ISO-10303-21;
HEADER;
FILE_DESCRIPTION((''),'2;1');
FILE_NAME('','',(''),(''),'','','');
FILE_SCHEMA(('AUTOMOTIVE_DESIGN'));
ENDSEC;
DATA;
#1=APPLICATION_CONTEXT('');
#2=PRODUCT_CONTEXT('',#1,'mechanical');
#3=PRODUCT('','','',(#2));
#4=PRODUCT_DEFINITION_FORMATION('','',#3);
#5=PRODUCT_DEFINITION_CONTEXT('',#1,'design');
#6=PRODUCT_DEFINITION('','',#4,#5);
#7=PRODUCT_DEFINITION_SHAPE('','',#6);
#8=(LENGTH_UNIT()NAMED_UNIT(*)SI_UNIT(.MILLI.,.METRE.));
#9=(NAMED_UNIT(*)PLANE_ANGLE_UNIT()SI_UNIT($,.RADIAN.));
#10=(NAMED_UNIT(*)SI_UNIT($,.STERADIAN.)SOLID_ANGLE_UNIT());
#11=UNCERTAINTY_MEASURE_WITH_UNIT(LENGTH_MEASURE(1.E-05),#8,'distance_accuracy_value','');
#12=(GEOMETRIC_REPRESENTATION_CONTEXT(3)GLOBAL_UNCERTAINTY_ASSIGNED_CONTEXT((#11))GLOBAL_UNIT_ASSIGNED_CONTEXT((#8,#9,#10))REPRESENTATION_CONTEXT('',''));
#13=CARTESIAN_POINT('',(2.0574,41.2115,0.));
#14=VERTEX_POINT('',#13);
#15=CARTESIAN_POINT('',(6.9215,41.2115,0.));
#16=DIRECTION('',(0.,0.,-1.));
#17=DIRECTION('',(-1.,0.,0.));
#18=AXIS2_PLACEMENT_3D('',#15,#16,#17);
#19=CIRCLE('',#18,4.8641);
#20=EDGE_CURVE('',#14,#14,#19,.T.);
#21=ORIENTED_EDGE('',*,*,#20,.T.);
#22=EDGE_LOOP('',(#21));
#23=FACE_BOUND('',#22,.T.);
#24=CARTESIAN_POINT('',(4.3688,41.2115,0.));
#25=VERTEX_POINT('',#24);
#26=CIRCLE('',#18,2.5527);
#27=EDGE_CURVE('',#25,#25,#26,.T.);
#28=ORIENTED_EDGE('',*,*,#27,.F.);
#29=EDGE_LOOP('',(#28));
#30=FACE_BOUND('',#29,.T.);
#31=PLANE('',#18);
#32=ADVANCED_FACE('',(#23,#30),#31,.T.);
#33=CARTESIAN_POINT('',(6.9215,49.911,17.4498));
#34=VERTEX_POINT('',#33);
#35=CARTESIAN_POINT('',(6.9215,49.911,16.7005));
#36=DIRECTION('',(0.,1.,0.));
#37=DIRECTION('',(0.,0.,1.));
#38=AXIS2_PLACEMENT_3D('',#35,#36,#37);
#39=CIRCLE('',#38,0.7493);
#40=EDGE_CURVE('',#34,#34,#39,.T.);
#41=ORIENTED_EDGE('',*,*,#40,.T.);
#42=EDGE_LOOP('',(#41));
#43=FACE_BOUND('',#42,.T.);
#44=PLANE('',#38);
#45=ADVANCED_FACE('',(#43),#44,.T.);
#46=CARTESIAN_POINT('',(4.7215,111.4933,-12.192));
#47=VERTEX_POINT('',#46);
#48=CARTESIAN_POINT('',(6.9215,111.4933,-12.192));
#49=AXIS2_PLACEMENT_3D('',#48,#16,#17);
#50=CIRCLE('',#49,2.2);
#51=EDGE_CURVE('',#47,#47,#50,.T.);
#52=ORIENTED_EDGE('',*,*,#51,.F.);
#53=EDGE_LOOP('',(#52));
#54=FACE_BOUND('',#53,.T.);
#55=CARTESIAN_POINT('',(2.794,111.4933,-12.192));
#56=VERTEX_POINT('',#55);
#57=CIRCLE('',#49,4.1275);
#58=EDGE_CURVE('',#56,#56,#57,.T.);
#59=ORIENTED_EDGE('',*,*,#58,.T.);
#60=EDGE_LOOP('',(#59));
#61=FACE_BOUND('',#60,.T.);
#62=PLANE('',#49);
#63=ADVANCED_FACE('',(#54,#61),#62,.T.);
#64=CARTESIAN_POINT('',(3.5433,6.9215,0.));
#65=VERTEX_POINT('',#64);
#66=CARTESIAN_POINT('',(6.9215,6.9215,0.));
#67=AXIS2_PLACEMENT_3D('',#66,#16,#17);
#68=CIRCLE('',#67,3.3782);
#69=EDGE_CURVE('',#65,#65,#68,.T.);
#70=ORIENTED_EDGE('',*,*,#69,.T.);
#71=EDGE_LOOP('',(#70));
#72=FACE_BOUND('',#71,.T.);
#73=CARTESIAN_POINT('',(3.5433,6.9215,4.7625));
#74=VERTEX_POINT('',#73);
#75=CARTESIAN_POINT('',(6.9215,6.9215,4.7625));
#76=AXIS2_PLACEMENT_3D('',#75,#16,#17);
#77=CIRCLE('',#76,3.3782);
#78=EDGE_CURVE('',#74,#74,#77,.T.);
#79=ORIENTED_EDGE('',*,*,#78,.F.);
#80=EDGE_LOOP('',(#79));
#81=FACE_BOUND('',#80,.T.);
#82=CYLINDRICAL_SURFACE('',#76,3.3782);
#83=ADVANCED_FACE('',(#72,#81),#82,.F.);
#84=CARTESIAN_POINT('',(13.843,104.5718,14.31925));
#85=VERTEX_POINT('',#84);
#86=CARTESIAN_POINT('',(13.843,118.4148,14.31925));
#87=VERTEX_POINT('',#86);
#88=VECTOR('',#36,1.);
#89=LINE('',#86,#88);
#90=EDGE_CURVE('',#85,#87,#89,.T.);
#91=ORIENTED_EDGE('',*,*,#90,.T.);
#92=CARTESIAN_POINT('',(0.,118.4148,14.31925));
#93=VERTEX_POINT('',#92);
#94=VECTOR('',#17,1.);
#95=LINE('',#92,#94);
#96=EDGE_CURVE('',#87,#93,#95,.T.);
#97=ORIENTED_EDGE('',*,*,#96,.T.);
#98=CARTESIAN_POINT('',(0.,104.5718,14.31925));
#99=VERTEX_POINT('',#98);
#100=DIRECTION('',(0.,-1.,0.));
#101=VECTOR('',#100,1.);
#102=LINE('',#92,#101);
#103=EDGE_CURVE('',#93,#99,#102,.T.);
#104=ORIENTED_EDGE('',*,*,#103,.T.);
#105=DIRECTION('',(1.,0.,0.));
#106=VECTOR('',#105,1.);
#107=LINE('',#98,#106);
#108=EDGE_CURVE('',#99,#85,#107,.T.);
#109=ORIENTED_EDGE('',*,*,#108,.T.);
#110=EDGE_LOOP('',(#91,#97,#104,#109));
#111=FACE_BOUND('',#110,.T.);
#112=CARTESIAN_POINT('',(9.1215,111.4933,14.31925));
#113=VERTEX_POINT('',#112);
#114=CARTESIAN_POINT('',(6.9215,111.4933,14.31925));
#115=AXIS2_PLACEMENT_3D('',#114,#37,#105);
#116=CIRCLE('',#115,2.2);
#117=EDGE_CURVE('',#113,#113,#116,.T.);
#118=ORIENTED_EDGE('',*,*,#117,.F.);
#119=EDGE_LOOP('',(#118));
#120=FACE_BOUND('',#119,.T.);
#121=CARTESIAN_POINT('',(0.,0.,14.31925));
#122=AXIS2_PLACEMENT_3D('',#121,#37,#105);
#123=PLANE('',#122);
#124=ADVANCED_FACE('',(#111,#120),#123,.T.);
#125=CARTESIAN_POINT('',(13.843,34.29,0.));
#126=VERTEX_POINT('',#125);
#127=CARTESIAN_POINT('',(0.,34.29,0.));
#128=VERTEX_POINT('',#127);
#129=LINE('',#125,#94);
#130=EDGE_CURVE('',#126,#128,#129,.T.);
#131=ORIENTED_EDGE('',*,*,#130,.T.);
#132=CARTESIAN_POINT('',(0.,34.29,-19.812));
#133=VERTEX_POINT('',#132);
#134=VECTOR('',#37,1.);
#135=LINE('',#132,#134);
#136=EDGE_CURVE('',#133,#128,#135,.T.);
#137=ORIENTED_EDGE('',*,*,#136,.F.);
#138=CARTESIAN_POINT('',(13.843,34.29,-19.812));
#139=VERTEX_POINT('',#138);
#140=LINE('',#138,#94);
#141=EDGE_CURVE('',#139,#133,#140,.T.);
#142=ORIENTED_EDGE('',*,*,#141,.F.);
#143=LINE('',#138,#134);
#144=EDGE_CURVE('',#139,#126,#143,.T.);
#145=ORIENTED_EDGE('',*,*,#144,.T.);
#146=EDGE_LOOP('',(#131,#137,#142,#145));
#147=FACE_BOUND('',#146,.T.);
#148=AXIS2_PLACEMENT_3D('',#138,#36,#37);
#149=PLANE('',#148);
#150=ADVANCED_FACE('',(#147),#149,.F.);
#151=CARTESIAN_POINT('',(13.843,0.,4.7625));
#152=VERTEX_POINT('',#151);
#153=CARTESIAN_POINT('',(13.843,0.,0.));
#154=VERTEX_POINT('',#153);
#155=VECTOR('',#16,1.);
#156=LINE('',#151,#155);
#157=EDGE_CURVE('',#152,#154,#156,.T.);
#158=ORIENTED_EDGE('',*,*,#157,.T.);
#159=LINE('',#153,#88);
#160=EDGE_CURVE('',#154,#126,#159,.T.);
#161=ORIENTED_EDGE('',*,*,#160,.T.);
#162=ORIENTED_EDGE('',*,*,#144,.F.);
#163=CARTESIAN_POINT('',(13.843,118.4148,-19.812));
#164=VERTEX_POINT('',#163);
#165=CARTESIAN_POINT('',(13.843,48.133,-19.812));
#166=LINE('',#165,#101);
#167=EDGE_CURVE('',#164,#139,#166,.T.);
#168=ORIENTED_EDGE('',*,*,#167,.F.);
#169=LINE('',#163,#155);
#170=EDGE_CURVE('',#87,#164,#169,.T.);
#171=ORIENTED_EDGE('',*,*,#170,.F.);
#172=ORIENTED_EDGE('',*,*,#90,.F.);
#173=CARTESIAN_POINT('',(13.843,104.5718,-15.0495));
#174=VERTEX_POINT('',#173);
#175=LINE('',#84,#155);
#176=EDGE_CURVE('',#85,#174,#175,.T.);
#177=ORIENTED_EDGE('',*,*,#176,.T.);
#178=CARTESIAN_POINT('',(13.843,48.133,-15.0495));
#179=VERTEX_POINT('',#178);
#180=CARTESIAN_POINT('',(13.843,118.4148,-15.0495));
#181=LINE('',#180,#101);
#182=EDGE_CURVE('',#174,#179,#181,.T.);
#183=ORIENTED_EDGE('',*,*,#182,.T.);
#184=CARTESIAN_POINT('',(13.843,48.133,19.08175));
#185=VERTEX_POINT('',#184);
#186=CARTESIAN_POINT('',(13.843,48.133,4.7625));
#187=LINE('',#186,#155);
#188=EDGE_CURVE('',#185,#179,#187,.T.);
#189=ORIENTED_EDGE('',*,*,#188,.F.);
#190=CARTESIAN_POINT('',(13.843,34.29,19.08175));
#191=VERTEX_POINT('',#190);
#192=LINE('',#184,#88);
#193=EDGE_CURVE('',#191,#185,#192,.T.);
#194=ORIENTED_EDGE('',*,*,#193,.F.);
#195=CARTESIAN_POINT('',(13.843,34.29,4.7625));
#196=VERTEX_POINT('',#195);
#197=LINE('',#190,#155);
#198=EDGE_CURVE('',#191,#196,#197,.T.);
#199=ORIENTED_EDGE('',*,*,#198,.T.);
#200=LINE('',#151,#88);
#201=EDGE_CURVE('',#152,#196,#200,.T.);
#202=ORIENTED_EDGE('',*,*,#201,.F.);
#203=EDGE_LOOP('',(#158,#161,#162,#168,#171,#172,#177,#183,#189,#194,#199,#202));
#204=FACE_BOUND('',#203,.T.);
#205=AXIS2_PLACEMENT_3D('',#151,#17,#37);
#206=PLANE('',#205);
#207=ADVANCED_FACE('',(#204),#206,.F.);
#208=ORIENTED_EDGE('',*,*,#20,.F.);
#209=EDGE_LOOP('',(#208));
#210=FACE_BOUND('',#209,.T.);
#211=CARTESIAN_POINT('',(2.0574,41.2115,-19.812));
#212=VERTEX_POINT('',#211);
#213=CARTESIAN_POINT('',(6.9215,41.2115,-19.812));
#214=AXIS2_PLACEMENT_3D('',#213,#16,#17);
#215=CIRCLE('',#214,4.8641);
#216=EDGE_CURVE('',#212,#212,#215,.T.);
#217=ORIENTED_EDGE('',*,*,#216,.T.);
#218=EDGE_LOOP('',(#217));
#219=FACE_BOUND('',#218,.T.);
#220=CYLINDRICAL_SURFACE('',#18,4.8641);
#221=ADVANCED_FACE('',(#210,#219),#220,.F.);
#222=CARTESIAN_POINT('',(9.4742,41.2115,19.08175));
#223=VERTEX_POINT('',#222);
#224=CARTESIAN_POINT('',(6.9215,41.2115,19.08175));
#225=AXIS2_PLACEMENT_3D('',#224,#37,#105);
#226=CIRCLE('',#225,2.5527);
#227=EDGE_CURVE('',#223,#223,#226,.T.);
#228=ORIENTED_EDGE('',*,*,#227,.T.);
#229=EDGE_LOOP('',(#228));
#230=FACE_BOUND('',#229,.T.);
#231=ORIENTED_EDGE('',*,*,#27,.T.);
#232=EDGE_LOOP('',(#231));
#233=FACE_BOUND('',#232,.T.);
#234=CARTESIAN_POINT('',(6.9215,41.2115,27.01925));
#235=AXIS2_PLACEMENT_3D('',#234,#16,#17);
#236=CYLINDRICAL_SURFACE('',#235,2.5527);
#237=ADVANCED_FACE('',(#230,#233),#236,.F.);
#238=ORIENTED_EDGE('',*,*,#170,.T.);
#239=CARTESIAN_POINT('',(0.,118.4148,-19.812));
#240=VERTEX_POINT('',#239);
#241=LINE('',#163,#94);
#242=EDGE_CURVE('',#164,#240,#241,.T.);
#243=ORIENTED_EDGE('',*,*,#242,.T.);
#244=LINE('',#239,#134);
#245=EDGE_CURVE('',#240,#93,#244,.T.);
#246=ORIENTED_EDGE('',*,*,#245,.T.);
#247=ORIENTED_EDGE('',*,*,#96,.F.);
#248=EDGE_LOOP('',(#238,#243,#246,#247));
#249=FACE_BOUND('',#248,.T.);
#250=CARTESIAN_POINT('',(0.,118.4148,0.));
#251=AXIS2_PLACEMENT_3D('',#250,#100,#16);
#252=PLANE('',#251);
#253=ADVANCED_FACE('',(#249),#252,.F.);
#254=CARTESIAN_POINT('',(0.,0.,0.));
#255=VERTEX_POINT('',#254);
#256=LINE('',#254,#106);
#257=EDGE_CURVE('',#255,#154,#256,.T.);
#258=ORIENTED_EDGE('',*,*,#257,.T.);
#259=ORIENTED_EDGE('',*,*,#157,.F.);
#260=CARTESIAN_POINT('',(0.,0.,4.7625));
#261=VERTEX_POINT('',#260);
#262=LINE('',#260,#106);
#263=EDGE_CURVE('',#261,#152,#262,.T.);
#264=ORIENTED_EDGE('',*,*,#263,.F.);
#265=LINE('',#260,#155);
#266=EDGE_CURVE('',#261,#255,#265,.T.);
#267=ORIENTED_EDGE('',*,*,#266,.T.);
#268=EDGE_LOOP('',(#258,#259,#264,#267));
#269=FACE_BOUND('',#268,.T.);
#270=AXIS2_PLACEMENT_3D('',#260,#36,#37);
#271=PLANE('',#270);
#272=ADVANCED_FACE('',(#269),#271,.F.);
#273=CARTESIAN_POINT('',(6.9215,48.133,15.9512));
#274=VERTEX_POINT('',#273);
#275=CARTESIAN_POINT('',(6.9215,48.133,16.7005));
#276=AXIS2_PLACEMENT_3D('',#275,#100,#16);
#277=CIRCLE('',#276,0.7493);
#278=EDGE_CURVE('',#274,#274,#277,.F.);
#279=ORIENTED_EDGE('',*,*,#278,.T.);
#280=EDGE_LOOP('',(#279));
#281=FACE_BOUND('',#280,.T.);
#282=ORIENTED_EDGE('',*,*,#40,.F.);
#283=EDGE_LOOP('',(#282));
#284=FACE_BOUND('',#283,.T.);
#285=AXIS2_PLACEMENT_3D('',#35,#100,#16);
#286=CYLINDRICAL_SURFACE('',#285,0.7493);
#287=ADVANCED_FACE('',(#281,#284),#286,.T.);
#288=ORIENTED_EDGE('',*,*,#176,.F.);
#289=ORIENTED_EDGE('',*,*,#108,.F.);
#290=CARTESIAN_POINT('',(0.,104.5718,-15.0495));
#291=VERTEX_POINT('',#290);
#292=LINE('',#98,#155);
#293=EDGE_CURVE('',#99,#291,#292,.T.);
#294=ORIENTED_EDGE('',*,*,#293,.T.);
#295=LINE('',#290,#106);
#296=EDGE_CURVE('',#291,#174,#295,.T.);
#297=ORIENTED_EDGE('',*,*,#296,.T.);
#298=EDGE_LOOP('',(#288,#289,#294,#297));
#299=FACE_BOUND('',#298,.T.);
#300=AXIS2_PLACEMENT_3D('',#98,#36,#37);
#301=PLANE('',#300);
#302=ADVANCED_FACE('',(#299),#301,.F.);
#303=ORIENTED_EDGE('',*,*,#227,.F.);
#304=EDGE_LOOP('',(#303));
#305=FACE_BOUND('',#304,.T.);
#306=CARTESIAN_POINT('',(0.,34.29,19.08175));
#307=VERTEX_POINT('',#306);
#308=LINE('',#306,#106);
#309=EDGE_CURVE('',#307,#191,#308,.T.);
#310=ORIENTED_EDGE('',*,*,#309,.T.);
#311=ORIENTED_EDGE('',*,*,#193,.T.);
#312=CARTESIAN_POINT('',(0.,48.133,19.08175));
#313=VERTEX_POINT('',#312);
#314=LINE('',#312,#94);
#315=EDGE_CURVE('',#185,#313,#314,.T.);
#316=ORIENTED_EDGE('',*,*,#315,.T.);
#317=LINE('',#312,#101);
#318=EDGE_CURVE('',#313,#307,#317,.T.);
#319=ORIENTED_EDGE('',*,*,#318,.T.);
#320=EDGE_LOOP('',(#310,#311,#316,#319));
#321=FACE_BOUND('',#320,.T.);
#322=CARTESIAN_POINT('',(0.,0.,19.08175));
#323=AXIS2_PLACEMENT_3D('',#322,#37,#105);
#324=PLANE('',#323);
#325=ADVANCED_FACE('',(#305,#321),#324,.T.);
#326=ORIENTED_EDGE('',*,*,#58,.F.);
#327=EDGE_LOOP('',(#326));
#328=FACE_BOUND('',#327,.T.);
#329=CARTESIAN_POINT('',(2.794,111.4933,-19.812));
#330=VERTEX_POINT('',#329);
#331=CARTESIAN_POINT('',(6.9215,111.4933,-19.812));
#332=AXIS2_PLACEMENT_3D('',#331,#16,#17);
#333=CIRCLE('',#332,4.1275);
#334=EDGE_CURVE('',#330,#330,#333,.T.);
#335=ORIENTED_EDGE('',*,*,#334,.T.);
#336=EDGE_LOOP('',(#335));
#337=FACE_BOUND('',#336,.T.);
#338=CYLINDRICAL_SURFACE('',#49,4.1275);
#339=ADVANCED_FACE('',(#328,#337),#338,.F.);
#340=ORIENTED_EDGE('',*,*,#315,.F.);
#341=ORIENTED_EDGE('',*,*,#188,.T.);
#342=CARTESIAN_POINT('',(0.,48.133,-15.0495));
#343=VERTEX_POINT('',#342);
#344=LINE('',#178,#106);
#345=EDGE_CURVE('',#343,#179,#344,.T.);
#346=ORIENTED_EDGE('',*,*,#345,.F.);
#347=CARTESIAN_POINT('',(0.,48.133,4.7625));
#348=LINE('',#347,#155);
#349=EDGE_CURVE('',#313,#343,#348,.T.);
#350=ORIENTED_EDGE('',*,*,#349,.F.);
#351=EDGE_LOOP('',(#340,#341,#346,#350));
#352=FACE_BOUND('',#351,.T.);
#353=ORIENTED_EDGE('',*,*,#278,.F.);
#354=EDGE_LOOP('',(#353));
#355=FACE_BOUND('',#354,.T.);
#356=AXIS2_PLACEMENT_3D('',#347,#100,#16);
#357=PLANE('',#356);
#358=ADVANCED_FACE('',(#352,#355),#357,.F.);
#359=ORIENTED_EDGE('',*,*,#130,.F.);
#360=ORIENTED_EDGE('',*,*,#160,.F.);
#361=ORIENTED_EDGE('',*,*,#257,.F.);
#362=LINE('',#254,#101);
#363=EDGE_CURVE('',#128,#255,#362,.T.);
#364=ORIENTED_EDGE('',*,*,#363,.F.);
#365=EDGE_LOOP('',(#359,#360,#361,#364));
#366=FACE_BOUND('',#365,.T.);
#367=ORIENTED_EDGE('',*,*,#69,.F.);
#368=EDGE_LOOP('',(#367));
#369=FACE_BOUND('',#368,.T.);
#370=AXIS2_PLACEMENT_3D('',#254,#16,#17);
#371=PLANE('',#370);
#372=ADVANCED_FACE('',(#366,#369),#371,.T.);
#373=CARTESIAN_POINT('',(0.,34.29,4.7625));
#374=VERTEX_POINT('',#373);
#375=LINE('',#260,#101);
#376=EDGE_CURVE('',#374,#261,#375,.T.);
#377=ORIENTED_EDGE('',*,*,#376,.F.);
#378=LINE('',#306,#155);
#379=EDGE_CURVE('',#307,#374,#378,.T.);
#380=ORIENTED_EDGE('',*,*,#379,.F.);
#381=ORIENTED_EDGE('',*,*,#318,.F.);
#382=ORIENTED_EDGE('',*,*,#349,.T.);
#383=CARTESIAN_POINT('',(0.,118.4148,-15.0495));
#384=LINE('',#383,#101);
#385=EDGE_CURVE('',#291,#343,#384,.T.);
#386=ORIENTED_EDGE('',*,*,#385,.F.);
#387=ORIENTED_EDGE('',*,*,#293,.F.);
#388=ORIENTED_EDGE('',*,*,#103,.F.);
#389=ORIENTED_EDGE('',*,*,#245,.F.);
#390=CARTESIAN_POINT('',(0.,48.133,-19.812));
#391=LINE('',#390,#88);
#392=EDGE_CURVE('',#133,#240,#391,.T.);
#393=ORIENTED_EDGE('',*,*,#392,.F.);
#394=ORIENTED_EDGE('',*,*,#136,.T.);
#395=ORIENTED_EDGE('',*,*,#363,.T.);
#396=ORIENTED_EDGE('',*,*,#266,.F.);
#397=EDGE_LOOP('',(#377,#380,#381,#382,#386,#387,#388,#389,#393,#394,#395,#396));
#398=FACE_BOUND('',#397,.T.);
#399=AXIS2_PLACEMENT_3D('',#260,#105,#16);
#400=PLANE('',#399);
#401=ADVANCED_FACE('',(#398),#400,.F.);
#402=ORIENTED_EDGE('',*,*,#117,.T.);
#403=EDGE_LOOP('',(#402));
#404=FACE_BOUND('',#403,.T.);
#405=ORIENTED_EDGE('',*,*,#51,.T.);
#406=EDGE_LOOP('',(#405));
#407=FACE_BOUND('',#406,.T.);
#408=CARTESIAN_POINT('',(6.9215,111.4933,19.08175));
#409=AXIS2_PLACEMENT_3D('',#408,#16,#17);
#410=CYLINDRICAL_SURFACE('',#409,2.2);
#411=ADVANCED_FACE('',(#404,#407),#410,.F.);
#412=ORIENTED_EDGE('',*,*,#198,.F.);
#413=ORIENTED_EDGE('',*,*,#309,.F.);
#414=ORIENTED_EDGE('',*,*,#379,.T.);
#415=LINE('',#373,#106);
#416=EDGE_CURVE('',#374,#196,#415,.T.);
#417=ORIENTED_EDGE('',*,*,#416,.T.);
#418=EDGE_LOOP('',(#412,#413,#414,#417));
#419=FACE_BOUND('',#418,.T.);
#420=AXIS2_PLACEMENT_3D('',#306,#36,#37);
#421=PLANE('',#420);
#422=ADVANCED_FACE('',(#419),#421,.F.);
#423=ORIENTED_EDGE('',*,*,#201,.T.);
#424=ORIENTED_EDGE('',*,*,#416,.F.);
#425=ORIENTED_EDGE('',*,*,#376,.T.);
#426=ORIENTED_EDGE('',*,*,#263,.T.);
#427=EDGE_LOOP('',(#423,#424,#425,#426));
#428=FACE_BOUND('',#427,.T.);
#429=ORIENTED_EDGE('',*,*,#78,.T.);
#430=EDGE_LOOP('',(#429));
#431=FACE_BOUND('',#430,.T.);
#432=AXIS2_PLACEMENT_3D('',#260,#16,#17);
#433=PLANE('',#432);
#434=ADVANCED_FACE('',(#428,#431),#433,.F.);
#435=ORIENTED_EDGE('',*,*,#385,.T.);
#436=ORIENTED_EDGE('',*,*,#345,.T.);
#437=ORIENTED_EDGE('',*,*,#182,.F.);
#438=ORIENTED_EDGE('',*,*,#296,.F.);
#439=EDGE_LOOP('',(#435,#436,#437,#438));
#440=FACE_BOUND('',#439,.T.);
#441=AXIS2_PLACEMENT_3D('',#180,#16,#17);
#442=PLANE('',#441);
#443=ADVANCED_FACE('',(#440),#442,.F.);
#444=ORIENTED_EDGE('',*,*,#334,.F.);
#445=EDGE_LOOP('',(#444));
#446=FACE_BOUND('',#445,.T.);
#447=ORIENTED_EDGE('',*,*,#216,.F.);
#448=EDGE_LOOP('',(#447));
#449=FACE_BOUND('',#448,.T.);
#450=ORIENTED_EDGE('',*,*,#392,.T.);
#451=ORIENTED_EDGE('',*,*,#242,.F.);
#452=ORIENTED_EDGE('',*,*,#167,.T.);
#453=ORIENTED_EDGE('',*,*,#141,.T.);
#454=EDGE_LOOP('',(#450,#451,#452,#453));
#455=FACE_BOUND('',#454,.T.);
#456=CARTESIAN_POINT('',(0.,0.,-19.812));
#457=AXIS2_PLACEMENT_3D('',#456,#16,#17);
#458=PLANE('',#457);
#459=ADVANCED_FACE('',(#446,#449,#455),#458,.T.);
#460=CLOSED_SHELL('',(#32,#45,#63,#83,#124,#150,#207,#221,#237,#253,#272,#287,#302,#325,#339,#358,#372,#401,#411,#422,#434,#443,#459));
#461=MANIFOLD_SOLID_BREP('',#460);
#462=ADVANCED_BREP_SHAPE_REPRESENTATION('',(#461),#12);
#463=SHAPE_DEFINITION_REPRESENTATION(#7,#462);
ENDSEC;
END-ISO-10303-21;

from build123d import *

# Parameters (mm, degrees)
SKETCH1_W           = 13.843
SKETCH1_H           = 48.133
BOSS_EXTRUDE1_DEPTH = 4.7625
SKETCH2_R           = 3.3782
CUT_EXTRUDE1_DEPTH  = 5.7625
SKETCH3_W           = 13.843
SKETCH3_H           = 13.843
BOSS_EXTRUDE2_DEPTH = 14.31925
SKETCH6_W           = 13.843
SKETCH6_H           = 13.843
BOSS_EXTRUDE3_DEPTH = 19.812
SKETCH4_R           = 2.5527
CUT_EXTRUDE2_DEPTH  = 27.01925
SKETCH7_R           = 4.8641
CUT_EXTRUDE3_DEPTH  = 19.812
SKETCH8_W           = 13.843
SKETCH8_H           = 4.7625
BOSS_EXTRUDE4_DEPTH = 70.2818
SKETCH9_W           = 13.843
SKETCH9_H           = 13.843
BOSS_EXTRUDE5_DEPTH = 29.36875
SKETCH10_R          = 4.1275
CUT_EXTRUDE4_DEPTH  = 7.62
SKETCH11_R          = 2.2
CUT_EXTRUDE5_DEPTH  = 32.27375
SKETCH12_R          = 0.7493
BOSS_EXTRUDE6_DEPTH = 1.778


with BuildPart() as part:
    # Sketch1 → Boss-Extrude1 (new body)
    with BuildSketch(Plane.XY):
        with Locations((6.9215, 24.0665)):
            Rectangle(SKETCH1_W, SKETCH1_H)
    extrude(amount=BOSS_EXTRUDE1_DEPTH)

    # Sketch2 → Cut-Extrude1 (cut, through all)
    with BuildSketch(Plane(origin=(0, 0, 0), x_dir=(-1, 0, 0), z_dir=(0, 0, -1))):
        with Locations((-6.9215, 6.9215)):
            Circle(SKETCH2_R)
    extrude(amount=-CUT_EXTRUDE1_DEPTH, mode=Mode.SUBTRACT)

    # Sketch3 → Boss-Extrude2 (add)
    with BuildSketch(Plane.XY.offset(4.7625)):
        with Locations((6.9215, 41.2115)):
            Rectangle(SKETCH3_W, SKETCH3_H)
    extrude(amount=BOSS_EXTRUDE2_DEPTH)

    # Sketch6 → Boss-Extrude3 (add)
    with BuildSketch(Plane(origin=(0, 0, 0), x_dir=(-1, 0, 0), z_dir=(0, 0, -1))):
        with Locations((-6.9215, 41.2115)):
            Rectangle(SKETCH6_W, SKETCH6_H)
    extrude(amount=BOSS_EXTRUDE3_DEPTH)

    # Sketch4 → Cut-Extrude2 (cut)
    with BuildSketch(Plane(origin=(0, 0, 0), x_dir=(-1, 0, 0), z_dir=(0, 0, -1))):
        with Locations((-6.9215, 41.2115)):
            Circle(SKETCH4_R)
    extrude(amount=-CUT_EXTRUDE2_DEPTH, mode=Mode.SUBTRACT)

    # Sketch7 → Cut-Extrude3 (cut)
    with BuildSketch(Plane(origin=(0, 0, -19.812), x_dir=(-1, 0, 0), z_dir=(0, 0, -1))):
        with Locations((-6.9215, 41.2115)):
            Circle(SKETCH7_R)
    extrude(amount=-CUT_EXTRUDE3_DEPTH, mode=Mode.SUBTRACT)

    # Sketch8 → Boss-Extrude4 (add)
    with BuildSketch(Plane(origin=(0, 48.133, 0), x_dir=(1, 0, 0), z_dir=(0, 1, 0))):
        with Locations((6.9215, 17.43075)):
            Rectangle(SKETCH8_W, SKETCH8_H)
    extrude(amount=BOSS_EXTRUDE4_DEPTH)

    # Sketch9 → Boss-Extrude5 (add)
    with BuildSketch(Plane.XY.offset(-15.0495)):
        with Locations((6.9215, 111.4933)):
            Rectangle(SKETCH9_W, SKETCH9_H)
    extrude(amount=BOSS_EXTRUDE5_DEPTH)

    # Sketch10 → Cut-Extrude4 (cut)
    with BuildSketch(Plane(origin=(0, 0, -19.812), x_dir=(-1, 0, 0), z_dir=(0, 0, -1))):
        with Locations((-6.9215, 111.4933)):
            Circle(SKETCH10_R)
    extrude(amount=-CUT_EXTRUDE4_DEPTH, mode=Mode.SUBTRACT)

    # Sketch11 → Cut-Extrude5 (cut, through all)
    with BuildSketch(Plane(origin=(0, 0, -12.192), x_dir=(-1, 0, 0), z_dir=(0, 0, -1))):
        with Locations((-6.9215, 111.4933)):
            Circle(SKETCH11_R)
    extrude(amount=-CUT_EXTRUDE5_DEPTH, mode=Mode.SUBTRACT)

    # Sketch12 → Boss-Extrude6 (add)
    with BuildSketch(Plane(origin=(0, 48.133, 0), x_dir=(1, 0, 0), z_dir=(0, 1, 0))):
        with Locations((6.9215, -16.7005)):
            Circle(SKETCH12_R)
    extrude(amount=BOSS_EXTRUDE6_DEPTH)


solid = part.part
